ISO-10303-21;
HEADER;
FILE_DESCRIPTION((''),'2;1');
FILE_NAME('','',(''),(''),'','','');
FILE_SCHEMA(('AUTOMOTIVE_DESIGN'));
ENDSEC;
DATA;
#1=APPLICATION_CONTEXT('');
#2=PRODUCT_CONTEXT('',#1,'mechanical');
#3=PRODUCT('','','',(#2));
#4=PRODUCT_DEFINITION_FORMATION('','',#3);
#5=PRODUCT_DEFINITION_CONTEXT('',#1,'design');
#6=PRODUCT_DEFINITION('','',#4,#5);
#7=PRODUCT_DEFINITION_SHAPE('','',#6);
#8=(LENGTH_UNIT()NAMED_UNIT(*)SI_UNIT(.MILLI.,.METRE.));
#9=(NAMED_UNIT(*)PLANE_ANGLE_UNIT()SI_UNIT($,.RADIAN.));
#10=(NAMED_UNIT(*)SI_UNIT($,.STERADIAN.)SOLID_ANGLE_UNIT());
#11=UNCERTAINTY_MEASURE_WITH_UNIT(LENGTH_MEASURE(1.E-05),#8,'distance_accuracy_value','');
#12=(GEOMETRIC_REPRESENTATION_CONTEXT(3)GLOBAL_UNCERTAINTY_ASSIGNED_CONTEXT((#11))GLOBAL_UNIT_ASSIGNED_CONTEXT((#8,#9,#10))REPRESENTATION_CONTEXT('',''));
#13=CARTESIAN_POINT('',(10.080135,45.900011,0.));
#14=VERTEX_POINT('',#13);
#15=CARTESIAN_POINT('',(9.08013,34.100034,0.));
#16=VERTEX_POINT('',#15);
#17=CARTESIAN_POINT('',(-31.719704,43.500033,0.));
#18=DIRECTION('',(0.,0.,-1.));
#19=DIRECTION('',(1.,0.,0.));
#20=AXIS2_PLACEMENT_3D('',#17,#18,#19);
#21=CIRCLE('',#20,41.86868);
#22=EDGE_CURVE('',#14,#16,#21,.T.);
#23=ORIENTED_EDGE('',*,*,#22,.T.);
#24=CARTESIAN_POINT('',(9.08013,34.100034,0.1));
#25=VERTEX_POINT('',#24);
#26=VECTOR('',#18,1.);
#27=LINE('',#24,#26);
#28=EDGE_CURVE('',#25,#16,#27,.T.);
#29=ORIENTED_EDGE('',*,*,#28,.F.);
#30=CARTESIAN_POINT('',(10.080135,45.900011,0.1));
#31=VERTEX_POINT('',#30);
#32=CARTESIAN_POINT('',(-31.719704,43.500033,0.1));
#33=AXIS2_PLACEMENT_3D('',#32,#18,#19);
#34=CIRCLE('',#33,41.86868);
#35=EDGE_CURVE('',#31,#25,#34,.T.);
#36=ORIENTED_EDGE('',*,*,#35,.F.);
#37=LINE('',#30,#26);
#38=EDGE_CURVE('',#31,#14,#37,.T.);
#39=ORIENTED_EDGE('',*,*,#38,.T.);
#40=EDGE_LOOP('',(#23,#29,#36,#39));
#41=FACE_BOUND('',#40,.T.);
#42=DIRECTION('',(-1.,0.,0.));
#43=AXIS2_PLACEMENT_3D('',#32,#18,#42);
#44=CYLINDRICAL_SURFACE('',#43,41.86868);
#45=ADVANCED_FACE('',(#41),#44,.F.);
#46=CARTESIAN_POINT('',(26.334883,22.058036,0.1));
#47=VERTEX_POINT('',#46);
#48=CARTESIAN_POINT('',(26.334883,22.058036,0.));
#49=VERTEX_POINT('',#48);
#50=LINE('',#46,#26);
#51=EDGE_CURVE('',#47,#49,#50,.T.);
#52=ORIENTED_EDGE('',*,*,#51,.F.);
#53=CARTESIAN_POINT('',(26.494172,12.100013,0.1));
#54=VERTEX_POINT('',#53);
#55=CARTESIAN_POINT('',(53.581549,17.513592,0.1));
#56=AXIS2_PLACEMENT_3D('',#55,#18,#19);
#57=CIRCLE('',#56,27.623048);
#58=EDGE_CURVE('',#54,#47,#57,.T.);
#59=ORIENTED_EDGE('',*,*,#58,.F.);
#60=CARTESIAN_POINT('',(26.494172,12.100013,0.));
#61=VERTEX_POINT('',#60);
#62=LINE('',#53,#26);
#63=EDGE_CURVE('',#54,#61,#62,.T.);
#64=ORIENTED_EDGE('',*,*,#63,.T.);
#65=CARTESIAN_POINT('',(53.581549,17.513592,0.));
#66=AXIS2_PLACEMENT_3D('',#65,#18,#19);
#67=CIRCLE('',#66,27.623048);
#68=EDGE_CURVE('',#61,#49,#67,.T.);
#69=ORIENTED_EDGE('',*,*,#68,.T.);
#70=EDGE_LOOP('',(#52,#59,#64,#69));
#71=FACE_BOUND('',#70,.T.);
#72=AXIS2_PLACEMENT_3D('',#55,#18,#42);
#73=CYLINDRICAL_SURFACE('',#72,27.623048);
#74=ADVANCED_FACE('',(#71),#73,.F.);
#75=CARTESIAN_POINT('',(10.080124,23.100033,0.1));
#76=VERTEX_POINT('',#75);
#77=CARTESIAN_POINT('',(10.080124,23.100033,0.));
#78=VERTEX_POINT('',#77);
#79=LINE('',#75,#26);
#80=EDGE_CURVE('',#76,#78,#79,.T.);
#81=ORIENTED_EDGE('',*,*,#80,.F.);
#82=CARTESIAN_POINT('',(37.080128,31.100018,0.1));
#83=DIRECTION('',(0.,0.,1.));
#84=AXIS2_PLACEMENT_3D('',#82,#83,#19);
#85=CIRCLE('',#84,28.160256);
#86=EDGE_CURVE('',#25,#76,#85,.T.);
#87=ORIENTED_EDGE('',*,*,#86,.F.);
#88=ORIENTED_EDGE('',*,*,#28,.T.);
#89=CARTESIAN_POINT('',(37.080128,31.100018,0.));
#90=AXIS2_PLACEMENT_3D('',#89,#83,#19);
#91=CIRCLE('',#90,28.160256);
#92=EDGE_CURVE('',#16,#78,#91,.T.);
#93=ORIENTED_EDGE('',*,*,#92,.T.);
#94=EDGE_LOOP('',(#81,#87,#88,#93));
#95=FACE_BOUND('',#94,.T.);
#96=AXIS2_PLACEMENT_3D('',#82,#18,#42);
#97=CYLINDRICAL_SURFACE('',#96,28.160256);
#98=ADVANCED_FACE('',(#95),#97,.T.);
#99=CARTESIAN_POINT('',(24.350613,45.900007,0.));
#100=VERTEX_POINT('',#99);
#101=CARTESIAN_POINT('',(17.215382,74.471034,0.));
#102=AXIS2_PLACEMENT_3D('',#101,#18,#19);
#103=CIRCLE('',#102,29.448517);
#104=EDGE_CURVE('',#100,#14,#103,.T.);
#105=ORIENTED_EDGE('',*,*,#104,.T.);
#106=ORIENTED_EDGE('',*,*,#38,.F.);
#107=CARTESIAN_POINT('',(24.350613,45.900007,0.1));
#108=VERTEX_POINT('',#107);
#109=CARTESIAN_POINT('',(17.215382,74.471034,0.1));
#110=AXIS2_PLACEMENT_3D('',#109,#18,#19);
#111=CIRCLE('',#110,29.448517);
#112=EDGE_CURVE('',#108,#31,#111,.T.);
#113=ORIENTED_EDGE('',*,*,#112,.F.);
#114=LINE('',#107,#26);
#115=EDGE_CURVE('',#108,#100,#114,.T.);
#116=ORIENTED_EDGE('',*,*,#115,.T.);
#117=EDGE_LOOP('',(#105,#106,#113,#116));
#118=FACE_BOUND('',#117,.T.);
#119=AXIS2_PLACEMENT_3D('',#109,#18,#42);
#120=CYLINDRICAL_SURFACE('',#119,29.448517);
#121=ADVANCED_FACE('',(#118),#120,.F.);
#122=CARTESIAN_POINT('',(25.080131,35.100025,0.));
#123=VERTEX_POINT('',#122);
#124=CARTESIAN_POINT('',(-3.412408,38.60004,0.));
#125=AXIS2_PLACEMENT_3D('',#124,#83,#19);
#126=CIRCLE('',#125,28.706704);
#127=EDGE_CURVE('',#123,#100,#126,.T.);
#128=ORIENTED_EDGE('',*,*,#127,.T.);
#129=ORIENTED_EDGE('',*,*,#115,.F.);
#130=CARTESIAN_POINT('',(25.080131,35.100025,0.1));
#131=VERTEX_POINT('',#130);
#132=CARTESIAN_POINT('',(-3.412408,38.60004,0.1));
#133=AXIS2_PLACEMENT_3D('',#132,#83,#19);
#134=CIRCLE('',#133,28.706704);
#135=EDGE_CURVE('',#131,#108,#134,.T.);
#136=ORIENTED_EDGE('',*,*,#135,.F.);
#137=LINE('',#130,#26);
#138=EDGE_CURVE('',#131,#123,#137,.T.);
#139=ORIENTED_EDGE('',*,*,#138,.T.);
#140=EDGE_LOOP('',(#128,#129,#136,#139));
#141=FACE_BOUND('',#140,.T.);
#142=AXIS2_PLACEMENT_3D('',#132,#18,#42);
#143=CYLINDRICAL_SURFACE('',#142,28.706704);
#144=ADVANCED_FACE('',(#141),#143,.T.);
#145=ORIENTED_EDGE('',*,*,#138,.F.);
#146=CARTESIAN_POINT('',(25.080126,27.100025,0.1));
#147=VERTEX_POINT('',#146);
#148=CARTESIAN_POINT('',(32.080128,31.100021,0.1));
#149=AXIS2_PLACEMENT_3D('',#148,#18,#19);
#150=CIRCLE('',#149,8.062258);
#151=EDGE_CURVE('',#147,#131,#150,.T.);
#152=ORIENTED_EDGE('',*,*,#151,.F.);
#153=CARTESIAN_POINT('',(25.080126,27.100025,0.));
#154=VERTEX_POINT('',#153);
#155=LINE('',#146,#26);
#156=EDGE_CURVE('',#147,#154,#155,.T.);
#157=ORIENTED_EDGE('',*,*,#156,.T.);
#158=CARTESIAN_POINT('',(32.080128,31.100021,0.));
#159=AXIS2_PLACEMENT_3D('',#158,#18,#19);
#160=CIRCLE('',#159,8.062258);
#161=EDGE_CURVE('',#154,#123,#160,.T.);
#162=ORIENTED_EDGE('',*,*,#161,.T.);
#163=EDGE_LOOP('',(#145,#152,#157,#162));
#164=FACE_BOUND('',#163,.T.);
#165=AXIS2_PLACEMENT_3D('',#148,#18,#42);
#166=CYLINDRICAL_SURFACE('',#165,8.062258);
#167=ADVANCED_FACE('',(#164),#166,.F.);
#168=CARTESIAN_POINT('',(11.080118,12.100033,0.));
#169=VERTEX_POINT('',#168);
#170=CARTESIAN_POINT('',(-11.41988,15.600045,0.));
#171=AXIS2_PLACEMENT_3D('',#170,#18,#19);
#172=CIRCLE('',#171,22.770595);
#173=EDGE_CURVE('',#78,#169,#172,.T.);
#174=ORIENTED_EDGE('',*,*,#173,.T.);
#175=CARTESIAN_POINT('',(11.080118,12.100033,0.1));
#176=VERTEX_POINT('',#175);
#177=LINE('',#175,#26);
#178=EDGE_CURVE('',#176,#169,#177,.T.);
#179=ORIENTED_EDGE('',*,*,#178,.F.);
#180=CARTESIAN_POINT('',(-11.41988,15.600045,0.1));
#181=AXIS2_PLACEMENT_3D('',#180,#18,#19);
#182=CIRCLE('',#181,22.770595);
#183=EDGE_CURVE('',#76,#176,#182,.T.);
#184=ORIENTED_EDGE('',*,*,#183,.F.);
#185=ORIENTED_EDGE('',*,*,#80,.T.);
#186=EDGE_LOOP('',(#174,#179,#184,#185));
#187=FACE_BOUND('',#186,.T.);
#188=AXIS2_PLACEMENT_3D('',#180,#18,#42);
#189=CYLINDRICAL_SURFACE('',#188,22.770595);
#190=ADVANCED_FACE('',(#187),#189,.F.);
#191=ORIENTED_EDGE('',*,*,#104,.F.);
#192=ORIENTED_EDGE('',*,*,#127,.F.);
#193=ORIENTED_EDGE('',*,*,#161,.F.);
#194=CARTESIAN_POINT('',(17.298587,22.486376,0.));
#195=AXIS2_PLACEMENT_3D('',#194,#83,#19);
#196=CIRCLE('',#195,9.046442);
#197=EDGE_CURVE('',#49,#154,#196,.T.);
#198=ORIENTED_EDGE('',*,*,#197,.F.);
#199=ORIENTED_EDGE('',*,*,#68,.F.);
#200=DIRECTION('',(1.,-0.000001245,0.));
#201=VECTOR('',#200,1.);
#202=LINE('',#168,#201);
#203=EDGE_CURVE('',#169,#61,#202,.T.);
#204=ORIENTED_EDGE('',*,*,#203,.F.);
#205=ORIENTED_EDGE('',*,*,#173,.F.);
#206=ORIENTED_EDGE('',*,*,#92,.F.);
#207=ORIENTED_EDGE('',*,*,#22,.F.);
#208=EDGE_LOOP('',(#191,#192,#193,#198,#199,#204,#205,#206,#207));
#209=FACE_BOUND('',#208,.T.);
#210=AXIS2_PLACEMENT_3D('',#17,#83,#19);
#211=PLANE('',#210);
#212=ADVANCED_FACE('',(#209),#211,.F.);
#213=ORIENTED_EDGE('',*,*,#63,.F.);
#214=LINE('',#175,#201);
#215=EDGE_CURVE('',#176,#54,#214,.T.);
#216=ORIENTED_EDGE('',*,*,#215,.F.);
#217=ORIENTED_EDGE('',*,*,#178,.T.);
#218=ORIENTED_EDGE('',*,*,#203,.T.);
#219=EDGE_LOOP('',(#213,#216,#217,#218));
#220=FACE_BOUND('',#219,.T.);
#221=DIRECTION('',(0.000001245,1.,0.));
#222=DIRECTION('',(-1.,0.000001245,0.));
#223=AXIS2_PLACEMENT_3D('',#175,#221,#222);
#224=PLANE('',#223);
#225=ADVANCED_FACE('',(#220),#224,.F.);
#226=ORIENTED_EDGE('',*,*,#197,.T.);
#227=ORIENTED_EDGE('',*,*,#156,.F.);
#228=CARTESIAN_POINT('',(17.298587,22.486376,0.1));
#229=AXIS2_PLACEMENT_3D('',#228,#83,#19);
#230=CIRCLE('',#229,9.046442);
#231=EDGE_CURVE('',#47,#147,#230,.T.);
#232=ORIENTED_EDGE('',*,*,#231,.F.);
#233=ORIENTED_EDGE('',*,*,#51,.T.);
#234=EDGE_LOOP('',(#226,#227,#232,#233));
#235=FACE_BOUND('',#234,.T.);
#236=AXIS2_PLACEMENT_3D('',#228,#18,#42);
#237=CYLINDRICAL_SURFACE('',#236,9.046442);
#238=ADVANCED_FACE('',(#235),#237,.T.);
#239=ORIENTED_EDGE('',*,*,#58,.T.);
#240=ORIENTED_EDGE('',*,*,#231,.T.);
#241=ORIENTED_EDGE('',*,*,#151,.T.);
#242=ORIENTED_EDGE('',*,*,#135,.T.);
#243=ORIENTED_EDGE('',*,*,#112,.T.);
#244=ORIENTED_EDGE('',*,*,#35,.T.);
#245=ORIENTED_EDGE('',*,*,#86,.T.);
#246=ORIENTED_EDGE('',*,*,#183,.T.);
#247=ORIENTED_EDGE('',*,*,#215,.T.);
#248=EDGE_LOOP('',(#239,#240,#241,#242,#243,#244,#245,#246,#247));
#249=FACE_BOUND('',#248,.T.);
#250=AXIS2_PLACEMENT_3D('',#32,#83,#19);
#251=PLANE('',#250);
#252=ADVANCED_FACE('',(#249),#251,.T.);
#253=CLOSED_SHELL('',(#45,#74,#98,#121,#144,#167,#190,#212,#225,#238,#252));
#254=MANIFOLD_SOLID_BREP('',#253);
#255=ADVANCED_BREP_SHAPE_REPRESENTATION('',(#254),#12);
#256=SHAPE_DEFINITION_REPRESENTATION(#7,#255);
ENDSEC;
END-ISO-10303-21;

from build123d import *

# Parameters (mm, degrees)
SALIENTE_EXTRUIR1_DEPTH = 0.1


with BuildPart() as part:
    # Model → Saliente-Extruir1 (new body)
    with BuildSketch(Plane.XY):
        with BuildLine():
            Line((11.080118073, 12.100032616), (26.494172291, 12.100013434))
            ThreePointArc((26.494172291, 12.100013434), (25.962033929, 17.071786447), (26.334882576, 22.058035741))
            ThreePointArc((26.334882576, 22.058035741), (26.077271745, 24.671051179), (25.080126231, 27.100025003))
            ThreePointArc((25.080126231, 27.100025003), (24.017870658, 31.10002558), (25.080130581, 35.100025003))
            ThreePointArc((25.080130581, 35.100025003), (25.229028906, 40.534712367), (24.350613381, 45.900006732))
            ThreePointArc((24.350613381, 45.900006732), (17.215374003, 45.022517475), (10.080135103, 45.900010617))
            ThreePointArc((10.080135103, 45.900010617), (9.999432675, 39.964488004), (9.080130038, 34.100033704))
            ThreePointArc((9.080130038, 34.100033704), (9.035519695, 28.550523972), (10.080124055, 23.10003316))
            ThreePointArc((10.080124055, 23.10003316), (11.257202038, 17.661585333), (11.080118073, 12.100032616))
        make_face()
    extrude(amount=SALIENTE_EXTRUIR1_DEPTH)


solid = part.part
